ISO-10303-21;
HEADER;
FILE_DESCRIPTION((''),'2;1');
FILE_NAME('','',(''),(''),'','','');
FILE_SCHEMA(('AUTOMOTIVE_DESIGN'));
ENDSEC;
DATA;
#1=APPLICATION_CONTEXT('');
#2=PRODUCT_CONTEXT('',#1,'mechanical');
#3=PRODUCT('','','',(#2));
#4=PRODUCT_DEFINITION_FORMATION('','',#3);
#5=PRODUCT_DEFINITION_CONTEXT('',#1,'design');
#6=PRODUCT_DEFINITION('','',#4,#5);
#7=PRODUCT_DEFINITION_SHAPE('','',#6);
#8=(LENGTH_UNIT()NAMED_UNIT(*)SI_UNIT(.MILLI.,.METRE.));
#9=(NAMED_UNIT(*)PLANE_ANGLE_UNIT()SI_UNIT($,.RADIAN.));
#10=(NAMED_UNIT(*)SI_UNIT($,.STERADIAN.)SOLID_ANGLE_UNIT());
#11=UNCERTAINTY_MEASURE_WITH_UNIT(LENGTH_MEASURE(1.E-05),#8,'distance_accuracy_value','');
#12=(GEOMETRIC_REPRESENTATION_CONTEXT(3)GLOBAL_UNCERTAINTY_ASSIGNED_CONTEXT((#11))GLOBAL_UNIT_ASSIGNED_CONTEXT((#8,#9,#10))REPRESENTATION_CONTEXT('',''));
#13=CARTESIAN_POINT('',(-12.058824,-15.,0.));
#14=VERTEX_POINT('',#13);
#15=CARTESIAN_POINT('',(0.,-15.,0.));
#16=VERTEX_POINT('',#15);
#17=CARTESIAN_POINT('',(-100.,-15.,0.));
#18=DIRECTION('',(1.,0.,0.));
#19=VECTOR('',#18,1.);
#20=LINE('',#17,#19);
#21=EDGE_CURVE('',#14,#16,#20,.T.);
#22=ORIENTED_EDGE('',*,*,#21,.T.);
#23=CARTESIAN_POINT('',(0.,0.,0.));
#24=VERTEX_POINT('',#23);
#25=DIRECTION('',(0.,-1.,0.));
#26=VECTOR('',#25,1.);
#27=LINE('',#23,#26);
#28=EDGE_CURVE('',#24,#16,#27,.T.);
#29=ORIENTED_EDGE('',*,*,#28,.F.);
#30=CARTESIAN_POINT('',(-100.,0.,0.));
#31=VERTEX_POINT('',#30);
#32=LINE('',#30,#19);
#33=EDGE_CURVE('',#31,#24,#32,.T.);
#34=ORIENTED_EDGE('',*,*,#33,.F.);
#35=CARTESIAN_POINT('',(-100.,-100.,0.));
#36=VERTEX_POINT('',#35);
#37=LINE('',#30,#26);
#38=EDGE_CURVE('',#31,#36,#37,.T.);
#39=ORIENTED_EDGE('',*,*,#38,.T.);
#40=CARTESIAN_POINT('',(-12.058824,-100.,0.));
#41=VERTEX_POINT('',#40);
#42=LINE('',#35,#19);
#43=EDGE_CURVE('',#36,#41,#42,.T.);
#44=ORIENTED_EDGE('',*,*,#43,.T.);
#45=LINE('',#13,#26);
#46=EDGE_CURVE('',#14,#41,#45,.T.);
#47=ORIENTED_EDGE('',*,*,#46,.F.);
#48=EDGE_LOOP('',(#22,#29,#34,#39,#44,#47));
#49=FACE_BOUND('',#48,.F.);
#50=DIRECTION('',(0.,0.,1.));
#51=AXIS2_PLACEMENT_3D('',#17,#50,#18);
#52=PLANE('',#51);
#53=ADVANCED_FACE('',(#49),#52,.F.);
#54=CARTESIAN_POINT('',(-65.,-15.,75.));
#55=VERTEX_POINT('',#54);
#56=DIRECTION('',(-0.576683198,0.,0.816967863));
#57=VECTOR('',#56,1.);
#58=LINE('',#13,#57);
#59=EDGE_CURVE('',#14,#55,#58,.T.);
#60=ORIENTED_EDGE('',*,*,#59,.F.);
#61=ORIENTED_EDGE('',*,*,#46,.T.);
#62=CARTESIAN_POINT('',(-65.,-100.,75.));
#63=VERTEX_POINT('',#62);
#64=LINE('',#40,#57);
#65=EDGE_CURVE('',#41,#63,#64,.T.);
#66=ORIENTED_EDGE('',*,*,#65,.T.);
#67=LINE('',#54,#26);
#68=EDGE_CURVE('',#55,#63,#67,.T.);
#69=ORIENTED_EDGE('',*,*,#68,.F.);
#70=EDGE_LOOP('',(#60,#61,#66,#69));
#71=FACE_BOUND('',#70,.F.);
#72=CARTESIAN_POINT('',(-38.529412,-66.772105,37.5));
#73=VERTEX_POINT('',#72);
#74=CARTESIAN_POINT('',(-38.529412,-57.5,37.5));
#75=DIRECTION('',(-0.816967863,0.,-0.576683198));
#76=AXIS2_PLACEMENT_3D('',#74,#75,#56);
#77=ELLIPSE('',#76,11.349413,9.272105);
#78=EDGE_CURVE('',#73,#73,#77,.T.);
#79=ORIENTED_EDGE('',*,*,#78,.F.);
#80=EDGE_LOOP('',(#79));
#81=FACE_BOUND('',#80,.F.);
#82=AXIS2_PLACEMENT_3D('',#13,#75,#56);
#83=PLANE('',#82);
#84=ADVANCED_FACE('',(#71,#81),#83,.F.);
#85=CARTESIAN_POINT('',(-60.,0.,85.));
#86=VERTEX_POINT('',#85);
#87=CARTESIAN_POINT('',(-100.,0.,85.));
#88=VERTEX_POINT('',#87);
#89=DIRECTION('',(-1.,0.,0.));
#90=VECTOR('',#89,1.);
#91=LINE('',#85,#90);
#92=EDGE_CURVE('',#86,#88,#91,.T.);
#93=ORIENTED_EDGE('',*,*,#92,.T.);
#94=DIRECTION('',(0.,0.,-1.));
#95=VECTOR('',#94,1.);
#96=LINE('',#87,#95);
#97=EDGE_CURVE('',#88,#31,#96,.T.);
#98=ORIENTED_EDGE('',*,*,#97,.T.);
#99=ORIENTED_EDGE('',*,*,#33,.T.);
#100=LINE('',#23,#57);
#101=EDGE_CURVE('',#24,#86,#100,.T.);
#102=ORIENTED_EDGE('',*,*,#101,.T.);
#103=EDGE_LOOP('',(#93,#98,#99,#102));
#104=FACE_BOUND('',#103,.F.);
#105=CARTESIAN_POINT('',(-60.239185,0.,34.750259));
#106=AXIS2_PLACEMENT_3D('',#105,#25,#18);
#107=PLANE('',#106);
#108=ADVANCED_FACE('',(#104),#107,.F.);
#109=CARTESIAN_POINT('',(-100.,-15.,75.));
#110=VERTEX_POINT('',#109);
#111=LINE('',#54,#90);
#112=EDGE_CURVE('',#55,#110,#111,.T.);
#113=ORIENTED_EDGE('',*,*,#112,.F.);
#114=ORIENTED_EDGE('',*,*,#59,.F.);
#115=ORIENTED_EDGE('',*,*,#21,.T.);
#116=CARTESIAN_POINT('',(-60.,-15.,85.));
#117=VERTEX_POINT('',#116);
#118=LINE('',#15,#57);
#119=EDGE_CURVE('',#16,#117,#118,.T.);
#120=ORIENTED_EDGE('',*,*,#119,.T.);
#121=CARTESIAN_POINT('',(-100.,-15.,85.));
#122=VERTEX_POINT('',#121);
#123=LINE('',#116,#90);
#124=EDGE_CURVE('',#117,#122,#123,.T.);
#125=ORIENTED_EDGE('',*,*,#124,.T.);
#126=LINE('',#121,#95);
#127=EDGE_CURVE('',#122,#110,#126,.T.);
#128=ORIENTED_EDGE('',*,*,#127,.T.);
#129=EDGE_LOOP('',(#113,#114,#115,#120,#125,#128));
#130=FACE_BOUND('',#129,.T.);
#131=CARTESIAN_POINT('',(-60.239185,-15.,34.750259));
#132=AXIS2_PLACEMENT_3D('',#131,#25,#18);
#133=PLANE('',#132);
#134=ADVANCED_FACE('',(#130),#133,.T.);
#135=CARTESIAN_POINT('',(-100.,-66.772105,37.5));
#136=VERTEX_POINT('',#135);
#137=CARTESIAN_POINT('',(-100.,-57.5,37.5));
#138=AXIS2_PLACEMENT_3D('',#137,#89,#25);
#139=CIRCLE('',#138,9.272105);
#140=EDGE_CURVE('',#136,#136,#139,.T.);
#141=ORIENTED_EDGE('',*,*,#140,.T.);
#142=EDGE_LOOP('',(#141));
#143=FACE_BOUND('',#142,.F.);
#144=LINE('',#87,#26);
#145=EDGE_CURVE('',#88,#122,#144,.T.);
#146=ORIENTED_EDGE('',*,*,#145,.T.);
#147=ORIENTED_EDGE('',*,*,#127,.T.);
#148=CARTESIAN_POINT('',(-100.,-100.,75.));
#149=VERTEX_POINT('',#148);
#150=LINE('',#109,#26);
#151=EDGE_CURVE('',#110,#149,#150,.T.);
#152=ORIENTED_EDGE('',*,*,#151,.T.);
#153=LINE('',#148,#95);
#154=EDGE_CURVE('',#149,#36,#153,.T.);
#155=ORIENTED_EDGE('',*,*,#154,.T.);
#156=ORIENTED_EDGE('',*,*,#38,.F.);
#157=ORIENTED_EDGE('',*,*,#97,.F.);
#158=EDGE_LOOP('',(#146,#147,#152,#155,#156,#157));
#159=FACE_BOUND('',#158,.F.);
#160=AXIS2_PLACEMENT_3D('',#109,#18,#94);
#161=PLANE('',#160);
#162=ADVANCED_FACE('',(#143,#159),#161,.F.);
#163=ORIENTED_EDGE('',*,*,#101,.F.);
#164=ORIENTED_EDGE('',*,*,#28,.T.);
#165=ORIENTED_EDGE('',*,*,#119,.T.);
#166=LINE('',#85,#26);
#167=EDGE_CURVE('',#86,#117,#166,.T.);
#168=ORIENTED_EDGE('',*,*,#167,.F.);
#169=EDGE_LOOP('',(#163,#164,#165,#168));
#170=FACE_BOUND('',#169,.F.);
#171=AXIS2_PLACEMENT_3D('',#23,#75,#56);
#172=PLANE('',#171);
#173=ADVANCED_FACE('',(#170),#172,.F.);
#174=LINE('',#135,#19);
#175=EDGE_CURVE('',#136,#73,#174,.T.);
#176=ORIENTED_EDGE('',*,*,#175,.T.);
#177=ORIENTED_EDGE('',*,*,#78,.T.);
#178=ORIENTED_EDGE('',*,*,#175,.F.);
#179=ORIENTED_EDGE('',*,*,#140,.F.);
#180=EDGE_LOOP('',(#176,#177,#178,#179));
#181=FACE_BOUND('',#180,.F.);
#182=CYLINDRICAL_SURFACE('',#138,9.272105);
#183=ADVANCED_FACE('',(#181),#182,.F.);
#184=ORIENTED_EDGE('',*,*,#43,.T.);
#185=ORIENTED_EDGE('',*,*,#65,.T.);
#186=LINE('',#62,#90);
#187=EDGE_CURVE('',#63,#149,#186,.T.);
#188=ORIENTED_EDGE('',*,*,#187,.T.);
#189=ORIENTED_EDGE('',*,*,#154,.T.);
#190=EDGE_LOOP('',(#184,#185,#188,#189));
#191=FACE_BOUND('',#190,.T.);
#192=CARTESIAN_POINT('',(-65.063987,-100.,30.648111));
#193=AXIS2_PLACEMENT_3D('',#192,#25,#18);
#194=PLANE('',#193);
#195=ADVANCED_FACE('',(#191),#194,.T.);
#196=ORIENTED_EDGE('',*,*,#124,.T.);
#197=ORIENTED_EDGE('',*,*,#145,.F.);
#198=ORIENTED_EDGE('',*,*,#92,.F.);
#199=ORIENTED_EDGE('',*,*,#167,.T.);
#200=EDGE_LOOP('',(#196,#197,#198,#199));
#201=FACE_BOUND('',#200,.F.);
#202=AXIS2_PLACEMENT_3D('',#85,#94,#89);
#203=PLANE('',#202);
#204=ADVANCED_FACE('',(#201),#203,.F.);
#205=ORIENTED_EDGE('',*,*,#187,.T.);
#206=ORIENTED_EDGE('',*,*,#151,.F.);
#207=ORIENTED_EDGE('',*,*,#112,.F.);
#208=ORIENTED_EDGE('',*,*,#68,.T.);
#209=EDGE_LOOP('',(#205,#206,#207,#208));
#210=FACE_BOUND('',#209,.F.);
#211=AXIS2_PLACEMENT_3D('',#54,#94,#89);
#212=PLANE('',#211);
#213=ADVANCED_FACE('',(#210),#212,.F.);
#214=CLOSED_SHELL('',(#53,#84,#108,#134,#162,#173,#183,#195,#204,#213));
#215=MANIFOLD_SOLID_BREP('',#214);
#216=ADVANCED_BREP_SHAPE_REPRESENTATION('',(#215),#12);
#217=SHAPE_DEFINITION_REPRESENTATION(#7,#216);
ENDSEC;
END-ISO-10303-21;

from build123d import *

# Parameters (mm, degrees)
F1_DEPTH = 15
F3_DEPTH = 85
F4_R     = 9.2721053172
F5_DEPTH = 100.001


with BuildPart() as f1:
    # F0 (on Front) → F1 (new body)
    with BuildSketch(Plane.XZ):
        Polygon((-100, 0), (0, 0), (-60, 85), (-100, 85), align=None)
    extrude(amount=F1_DEPTH)

    # F2 (on face) → F3 (join)
    with BuildSketch(Plane.XZ.offset(15)):
        Polygon((-65, 75), (-100, 75), (-100, 0), (-12.0588235294, 0), align=None)
    extrude(amount=F3_DEPTH)

    # F4 (on face) → F5 (cut, through all)
    with BuildSketch(Plane(origin=(-100, 0, 0), x_dir=(0, -1, 0), z_dir=(-1, 0, 0))):
        with Locations((57.5, 37.5)):
            Circle(F4_R)
    extrude(amount=-F5_DEPTH, mode=Mode.SUBTRACT)


solid = f1.part
